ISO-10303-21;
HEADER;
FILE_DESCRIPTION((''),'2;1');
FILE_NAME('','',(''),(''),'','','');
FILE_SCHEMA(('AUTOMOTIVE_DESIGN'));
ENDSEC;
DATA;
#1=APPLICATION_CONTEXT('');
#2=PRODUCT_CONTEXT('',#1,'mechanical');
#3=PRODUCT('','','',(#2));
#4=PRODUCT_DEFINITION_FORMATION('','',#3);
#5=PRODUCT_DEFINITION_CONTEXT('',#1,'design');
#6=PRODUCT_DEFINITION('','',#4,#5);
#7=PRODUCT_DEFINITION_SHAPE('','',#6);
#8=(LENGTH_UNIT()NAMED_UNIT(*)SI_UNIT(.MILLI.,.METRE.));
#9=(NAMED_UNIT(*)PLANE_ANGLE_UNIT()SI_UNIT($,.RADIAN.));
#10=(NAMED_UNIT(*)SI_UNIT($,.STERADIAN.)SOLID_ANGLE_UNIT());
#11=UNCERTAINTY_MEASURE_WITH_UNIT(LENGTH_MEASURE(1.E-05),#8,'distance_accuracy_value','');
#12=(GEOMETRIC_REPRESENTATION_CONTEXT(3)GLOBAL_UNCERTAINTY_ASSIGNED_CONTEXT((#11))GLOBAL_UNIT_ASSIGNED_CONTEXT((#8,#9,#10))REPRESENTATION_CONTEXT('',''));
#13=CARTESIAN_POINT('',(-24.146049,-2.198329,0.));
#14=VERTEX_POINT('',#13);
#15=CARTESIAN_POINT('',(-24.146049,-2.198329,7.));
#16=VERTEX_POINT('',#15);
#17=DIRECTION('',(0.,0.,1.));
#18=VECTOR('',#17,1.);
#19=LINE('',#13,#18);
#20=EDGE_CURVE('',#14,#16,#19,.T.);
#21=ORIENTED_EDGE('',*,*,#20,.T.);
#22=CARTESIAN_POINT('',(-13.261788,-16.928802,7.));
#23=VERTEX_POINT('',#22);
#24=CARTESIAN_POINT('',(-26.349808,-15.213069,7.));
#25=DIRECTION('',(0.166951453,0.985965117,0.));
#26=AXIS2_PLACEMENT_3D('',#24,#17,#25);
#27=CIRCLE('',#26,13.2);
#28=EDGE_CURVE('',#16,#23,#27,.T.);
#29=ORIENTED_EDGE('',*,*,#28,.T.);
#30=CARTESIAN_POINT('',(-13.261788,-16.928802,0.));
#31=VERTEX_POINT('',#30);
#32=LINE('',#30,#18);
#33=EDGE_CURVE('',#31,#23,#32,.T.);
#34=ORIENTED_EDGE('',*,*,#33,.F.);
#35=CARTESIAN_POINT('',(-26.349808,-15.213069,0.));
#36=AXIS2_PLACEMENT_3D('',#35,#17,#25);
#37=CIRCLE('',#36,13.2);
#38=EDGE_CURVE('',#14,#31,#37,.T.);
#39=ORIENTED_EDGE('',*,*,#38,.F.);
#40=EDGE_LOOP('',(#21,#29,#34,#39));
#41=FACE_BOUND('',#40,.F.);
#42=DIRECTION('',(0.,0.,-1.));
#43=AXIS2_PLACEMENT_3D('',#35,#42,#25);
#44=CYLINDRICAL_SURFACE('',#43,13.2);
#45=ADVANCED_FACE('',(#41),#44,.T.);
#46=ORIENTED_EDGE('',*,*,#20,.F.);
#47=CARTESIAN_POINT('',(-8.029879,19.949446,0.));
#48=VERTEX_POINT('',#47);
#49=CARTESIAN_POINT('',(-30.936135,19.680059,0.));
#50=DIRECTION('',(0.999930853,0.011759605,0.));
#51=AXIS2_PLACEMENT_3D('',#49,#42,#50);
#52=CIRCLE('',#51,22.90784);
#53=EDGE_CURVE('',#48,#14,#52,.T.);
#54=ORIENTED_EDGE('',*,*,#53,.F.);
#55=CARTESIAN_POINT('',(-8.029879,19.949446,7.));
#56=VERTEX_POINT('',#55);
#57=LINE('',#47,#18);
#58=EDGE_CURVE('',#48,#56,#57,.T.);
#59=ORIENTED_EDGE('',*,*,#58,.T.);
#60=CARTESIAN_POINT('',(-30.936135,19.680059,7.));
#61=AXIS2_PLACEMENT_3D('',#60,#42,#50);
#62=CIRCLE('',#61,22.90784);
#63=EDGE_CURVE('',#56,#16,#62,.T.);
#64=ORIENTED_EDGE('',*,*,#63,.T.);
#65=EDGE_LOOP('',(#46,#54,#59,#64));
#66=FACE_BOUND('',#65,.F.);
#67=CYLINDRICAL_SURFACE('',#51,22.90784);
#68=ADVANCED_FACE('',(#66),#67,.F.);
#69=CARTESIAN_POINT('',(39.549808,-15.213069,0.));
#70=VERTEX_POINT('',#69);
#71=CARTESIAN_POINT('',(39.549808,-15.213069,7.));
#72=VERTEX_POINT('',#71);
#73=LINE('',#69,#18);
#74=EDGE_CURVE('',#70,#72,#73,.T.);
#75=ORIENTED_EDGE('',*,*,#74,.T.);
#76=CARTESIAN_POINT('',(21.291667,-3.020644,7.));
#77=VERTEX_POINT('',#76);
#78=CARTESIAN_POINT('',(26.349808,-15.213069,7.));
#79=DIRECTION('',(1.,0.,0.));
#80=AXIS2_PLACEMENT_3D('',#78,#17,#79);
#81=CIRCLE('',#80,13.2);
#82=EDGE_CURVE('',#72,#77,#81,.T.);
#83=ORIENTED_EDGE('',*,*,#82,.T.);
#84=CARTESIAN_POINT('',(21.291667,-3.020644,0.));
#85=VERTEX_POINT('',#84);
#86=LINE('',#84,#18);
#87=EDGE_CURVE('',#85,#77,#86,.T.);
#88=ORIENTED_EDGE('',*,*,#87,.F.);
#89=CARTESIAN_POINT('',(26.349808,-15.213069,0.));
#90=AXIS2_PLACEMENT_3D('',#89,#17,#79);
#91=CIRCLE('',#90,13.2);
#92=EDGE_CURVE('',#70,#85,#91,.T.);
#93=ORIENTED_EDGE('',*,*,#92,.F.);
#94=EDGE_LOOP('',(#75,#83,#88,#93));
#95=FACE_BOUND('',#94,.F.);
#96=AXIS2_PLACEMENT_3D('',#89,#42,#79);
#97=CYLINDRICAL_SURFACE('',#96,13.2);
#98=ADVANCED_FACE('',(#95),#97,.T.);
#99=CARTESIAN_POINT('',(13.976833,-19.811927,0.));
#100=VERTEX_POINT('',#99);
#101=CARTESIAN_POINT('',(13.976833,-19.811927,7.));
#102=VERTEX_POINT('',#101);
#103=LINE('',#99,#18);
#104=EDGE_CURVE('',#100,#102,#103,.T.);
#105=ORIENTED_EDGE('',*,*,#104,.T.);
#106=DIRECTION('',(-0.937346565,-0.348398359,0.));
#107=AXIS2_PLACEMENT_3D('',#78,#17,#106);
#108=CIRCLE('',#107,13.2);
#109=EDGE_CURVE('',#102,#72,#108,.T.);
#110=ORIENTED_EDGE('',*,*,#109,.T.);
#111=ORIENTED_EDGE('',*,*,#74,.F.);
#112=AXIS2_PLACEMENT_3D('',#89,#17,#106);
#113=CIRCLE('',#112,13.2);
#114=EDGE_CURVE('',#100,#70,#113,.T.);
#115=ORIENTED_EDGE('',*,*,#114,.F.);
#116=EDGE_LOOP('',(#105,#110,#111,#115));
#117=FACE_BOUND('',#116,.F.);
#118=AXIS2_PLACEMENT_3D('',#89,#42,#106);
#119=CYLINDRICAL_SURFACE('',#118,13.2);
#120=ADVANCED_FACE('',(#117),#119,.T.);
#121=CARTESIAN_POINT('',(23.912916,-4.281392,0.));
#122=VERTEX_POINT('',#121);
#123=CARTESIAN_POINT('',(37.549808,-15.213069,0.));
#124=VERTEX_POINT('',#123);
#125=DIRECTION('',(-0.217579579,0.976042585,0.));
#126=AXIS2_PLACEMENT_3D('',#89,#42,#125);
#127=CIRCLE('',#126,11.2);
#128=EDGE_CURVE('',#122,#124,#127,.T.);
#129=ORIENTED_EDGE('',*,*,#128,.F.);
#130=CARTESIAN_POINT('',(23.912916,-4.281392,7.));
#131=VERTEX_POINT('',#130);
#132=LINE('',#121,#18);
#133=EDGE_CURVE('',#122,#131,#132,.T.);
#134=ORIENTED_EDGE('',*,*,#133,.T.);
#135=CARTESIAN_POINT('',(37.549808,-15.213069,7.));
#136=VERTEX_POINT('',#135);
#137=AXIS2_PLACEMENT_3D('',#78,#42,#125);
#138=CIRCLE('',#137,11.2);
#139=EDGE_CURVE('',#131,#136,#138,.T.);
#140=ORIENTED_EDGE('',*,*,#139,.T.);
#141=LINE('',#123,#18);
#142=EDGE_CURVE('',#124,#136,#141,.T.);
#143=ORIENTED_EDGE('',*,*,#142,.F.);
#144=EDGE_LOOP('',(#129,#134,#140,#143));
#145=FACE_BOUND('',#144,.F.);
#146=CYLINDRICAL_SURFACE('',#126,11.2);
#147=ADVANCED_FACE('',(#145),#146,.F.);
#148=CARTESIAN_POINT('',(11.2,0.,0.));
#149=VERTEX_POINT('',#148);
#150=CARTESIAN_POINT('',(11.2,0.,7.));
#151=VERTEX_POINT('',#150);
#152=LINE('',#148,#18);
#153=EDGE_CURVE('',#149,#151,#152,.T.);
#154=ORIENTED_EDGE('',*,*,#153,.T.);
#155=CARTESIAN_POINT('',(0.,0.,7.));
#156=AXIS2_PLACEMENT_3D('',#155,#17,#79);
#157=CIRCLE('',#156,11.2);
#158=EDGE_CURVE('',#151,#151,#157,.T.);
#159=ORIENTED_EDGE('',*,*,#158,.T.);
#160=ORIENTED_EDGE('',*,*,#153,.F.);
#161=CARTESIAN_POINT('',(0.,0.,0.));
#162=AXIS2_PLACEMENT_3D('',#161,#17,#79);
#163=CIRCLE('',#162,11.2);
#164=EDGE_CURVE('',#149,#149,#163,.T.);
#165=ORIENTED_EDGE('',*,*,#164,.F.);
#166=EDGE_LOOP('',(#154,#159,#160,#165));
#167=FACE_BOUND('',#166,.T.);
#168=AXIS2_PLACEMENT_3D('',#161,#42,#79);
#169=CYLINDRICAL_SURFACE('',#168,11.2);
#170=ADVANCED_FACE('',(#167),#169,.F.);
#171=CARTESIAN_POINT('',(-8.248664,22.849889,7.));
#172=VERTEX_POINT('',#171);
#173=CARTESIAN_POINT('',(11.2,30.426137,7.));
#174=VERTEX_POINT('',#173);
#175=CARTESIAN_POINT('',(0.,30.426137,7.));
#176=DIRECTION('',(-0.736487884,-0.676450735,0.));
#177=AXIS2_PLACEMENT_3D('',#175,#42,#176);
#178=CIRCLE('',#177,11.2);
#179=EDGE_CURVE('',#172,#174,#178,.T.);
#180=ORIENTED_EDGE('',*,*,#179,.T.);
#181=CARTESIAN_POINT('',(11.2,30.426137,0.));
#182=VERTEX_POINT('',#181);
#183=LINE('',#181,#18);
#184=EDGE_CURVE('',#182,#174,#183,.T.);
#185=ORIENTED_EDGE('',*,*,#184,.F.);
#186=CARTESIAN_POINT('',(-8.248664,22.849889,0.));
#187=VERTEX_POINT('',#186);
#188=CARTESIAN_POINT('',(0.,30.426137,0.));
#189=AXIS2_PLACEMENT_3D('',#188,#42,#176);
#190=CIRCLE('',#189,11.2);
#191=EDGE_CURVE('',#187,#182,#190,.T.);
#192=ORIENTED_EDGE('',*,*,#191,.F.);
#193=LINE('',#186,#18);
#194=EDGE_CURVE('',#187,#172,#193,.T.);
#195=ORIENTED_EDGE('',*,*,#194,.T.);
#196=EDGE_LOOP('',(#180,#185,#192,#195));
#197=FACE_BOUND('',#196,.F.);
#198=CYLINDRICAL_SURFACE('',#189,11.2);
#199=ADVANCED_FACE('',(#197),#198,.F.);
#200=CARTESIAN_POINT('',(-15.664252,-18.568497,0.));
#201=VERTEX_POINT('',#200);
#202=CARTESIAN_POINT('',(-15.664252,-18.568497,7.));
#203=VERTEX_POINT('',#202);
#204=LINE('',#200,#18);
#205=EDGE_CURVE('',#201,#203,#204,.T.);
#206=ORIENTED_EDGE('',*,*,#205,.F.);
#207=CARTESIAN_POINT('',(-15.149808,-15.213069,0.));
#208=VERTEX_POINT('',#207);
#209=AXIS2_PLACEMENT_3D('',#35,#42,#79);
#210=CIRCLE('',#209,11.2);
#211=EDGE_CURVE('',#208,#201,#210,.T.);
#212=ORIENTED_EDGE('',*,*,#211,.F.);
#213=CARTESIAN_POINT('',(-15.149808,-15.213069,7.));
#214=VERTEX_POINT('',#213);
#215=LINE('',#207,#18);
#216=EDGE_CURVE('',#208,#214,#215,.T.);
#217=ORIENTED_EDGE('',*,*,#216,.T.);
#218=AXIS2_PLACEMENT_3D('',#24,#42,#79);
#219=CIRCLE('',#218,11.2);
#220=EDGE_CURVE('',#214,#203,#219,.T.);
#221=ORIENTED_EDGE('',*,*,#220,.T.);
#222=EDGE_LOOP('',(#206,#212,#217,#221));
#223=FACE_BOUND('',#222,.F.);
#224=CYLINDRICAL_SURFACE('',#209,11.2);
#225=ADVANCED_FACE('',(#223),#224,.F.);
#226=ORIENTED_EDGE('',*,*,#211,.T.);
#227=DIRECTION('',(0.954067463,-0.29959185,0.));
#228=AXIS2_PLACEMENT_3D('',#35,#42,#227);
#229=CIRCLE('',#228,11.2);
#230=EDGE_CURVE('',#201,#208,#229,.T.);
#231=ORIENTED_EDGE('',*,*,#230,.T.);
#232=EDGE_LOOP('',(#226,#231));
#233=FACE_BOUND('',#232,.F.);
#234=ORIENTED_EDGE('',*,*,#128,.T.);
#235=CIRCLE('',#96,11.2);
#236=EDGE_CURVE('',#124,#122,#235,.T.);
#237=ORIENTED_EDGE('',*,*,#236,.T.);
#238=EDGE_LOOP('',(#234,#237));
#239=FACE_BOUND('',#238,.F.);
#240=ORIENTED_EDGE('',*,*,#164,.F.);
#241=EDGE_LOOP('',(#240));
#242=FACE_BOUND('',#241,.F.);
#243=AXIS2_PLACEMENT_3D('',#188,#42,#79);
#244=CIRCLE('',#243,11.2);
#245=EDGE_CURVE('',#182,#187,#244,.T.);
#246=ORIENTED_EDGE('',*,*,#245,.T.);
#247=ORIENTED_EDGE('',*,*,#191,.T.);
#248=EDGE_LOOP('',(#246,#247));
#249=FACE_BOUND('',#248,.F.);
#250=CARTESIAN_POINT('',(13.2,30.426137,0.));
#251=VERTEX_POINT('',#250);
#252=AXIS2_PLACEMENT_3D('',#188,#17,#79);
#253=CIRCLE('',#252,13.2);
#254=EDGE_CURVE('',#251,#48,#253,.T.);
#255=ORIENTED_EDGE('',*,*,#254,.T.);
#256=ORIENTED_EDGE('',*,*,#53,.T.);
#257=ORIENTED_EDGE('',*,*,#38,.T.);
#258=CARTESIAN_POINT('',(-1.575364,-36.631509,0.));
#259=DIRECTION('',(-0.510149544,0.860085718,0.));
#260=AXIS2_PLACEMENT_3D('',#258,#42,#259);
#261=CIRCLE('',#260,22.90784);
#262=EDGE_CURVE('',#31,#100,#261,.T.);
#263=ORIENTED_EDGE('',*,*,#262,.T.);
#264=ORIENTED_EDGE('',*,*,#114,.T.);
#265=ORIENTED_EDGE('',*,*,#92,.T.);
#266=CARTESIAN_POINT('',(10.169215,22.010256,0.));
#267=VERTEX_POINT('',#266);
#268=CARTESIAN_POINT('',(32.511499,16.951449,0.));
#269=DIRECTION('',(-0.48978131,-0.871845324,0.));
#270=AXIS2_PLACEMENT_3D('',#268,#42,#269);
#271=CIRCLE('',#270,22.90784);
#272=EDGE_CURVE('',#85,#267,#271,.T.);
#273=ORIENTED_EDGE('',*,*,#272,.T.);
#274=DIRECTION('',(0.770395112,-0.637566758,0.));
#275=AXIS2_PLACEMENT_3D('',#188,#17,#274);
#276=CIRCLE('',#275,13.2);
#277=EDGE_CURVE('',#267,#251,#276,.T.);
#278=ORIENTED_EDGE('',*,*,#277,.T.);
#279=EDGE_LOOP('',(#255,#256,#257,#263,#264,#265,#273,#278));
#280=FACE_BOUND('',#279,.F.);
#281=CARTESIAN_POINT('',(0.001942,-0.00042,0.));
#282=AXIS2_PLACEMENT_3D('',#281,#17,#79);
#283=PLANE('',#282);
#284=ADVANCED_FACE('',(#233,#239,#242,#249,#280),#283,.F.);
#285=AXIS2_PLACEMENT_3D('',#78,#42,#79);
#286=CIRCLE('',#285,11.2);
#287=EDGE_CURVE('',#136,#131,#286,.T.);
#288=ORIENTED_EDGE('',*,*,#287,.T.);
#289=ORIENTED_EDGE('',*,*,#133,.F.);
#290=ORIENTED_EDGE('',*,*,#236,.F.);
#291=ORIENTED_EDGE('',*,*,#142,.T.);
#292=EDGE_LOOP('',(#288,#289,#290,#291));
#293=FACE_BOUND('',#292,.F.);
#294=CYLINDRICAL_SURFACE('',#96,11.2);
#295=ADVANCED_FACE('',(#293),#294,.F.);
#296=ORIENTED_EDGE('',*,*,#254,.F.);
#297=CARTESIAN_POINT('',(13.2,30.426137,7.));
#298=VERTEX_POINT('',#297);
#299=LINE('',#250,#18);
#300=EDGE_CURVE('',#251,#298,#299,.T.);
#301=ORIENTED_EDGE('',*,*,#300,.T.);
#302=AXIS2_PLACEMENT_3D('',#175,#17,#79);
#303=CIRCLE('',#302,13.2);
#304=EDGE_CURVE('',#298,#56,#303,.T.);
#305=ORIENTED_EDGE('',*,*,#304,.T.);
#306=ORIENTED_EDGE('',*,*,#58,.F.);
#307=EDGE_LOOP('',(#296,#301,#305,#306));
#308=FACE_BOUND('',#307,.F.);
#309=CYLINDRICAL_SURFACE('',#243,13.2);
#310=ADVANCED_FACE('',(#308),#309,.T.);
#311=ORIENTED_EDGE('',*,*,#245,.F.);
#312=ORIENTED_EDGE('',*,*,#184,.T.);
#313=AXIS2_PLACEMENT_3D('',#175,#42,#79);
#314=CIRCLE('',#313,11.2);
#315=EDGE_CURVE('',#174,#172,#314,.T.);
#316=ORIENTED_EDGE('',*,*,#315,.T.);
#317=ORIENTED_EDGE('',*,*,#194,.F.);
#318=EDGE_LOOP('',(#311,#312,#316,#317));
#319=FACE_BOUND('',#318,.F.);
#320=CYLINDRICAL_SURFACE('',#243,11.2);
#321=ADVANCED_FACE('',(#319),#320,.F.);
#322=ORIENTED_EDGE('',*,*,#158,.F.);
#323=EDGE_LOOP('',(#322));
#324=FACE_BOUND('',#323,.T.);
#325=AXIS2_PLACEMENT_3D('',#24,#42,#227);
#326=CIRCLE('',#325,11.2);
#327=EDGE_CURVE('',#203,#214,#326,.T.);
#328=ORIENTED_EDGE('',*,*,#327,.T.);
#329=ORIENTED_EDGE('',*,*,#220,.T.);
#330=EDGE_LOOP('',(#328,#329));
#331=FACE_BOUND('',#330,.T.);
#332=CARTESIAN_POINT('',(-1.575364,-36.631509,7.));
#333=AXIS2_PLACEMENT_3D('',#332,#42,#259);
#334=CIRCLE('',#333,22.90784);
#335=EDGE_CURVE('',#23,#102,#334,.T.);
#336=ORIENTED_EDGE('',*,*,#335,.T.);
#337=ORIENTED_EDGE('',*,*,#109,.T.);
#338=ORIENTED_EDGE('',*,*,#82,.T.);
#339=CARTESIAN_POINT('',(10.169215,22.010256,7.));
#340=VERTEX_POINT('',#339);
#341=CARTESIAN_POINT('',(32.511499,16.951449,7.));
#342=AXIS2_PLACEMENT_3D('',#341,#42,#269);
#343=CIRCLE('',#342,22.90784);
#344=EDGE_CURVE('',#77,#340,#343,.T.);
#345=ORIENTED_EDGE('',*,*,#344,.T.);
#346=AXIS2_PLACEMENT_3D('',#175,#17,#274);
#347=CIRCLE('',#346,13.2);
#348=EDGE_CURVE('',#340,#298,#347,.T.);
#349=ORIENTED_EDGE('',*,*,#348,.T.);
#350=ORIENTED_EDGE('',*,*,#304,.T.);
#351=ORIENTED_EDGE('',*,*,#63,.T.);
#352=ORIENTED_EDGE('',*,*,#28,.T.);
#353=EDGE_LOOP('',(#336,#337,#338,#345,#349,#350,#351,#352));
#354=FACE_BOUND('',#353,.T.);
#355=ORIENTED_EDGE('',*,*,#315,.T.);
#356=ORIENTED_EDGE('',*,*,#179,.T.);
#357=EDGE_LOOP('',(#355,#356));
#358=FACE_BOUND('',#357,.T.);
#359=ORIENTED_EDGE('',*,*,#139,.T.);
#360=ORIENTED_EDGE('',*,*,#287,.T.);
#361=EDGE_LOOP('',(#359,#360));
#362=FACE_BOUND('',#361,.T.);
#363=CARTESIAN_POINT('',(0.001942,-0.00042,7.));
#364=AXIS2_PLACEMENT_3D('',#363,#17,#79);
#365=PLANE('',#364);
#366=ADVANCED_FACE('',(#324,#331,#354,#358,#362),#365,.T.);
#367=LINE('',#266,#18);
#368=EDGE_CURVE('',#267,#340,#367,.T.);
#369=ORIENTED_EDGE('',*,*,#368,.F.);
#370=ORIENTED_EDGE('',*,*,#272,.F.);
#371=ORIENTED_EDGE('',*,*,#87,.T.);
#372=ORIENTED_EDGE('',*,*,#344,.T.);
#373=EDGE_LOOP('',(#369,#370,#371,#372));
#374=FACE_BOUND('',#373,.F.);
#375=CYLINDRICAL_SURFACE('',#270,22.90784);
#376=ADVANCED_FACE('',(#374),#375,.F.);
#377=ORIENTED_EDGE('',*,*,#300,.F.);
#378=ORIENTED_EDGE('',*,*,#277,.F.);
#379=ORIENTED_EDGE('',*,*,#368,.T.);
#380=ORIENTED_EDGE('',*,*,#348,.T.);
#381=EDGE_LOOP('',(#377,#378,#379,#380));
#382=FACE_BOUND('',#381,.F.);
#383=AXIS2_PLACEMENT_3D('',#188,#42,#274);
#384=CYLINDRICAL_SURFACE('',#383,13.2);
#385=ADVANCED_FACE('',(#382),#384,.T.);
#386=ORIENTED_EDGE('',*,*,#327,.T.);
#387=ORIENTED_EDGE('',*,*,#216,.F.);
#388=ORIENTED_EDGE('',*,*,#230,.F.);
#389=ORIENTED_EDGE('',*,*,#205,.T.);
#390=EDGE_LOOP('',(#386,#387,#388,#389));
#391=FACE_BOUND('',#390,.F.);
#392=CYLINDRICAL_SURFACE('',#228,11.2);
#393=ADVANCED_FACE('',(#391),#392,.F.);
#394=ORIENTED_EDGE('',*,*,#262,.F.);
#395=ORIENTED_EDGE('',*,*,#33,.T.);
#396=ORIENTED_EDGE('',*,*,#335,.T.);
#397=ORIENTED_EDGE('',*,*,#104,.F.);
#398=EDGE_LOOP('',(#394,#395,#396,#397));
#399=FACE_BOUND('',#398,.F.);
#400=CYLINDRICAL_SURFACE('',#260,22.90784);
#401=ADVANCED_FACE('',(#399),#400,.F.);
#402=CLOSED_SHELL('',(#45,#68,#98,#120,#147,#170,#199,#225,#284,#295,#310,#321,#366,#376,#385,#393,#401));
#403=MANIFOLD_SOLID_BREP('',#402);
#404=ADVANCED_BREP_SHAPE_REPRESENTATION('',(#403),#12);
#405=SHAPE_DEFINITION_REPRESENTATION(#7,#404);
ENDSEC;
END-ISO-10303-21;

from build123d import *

# Parameters (mm, degrees)
F0_R     = 13.2
F0_R_2   = 11.2
F1_DEPTH = 7


with BuildPart() as f1:
    # F0 (on Top) → F1 (new body)
    with BuildSketch(Plane.XY):
        with BuildLine():
            ThreePointArc((10.1692154811, 22.0102559418), (1.4852354636, 17.3099610443), (-8.0298787142, 19.9494464583))
            ThreePointArc((-8.0298787142, 19.9494464583), (-12.4131983481, 6.2015591877), (-24.1460485299, -2.1983290277))
            ThreePointArc((-24.1460485299, -2.1983290277), (-16.2669107759, -6.6939612617), (-13.1498077104, -15.2130685747))
            ThreePointArc((-13.1498077104, -15.2130685747), (-13.1778325493, -16.0727605866), (-13.2617880672, -16.928802185))
            ThreePointArc((-13.2617880672, -16.928802185), (0.8358913745, -13.8509247055), (13.9768330489, -19.8119269141))
            ThreePointArc((13.9768330489, -19.8119269141), (14.2482482711, -9.9412321642), (21.2916667814, -3.0206442734))
            ThreePointArc((21.2916667814, -3.0206442734), (11.5773069737, 7.6493655179), (10.1692154811, 22.0102559418))
        make_face()
        Circle(F0_R, mode=Mode.SUBTRACT)
        with BuildLine():
            ThreePointArc((-13.1498077104, -15.2130685747), (-16.2669107759, -6.6939612617), (-24.1460485299, -2.1983290277))
            ThreePointArc((-24.1460485299, -2.1983290277), (-36.966131686, -23.0574082693), (-13.2617880672, -16.928802185))
            ThreePointArc((-13.2617880672, -16.928802185), (-13.1778325493, -16.0727605866), (-13.1498077104, -15.2130685747))
        make_face()
        with BuildLine():
            ThreePointArc((-15.1498077104, -15.2130685747), (-15.279165847, -16.9103866751), (-15.6642521272, -18.5684972922))
            ThreePointArc((-15.6642521272, -18.5684972922), (-37.4204495737, -13.5157504742), (-15.1498077104, -15.2130685747))
        make_face(mode=Mode.SUBTRACT)
        with BuildLine():
            ThreePointArc((39.5498077104, -15.2130685747), (33.6803104127, -4.2356494731), (21.2916667814, -3.0206442734))
            ThreePointArc((21.2916667814, -3.0206442734), (14.2482482711, -9.9412321642), (13.9768330489, -19.8119269141))
            ThreePointArc((13.9768330489, -19.8119269141), (28.6861225937, -28.2046671201), (39.5498077104, -15.2130685747))
        make_face()
        with BuildLine():
            ThreePointArc((37.5498077104, -15.2130685747), (19.3445661854, -23.9518666143), (23.9129164288, -4.2813916273))
            ThreePointArc((23.9129164288, -4.2813916273), (33.3550492353, -6.4742705351), (37.5498077104, -15.2130685747))
        make_face(mode=Mode.SUBTRACT)
        Circle(F0_R)
        Circle(F0_R_2, mode=Mode.SUBTRACT)
        with BuildLine():
            ThreePointArc((13.2, 30.4261371493), (-5.8414724587, 42.2632482629), (-8.0298787142, 19.9494464583))
            ThreePointArc((-8.0298787142, 19.9494464583), (1.4852354636, 17.3099610443), (10.1692154811, 22.0102559418))
            ThreePointArc((10.1692154811, 22.0102559418), (12.4192118178, 25.9536459168), (13.2, 30.4261371493))
        make_face()
        with BuildLine():
            ThreePointArc((-8.2486643016, 22.8498889195), (-4.0654003383, 40.8622532894), (11.2, 30.4261371493))
            ThreePointArc((11.2, 30.4261371493), (4.0654003383, 19.9900210093), (-8.2486643016, 22.8498889195))
        make_face(mode=Mode.SUBTRACT)
    extrude(amount=F1_DEPTH)


solid = f1.part
